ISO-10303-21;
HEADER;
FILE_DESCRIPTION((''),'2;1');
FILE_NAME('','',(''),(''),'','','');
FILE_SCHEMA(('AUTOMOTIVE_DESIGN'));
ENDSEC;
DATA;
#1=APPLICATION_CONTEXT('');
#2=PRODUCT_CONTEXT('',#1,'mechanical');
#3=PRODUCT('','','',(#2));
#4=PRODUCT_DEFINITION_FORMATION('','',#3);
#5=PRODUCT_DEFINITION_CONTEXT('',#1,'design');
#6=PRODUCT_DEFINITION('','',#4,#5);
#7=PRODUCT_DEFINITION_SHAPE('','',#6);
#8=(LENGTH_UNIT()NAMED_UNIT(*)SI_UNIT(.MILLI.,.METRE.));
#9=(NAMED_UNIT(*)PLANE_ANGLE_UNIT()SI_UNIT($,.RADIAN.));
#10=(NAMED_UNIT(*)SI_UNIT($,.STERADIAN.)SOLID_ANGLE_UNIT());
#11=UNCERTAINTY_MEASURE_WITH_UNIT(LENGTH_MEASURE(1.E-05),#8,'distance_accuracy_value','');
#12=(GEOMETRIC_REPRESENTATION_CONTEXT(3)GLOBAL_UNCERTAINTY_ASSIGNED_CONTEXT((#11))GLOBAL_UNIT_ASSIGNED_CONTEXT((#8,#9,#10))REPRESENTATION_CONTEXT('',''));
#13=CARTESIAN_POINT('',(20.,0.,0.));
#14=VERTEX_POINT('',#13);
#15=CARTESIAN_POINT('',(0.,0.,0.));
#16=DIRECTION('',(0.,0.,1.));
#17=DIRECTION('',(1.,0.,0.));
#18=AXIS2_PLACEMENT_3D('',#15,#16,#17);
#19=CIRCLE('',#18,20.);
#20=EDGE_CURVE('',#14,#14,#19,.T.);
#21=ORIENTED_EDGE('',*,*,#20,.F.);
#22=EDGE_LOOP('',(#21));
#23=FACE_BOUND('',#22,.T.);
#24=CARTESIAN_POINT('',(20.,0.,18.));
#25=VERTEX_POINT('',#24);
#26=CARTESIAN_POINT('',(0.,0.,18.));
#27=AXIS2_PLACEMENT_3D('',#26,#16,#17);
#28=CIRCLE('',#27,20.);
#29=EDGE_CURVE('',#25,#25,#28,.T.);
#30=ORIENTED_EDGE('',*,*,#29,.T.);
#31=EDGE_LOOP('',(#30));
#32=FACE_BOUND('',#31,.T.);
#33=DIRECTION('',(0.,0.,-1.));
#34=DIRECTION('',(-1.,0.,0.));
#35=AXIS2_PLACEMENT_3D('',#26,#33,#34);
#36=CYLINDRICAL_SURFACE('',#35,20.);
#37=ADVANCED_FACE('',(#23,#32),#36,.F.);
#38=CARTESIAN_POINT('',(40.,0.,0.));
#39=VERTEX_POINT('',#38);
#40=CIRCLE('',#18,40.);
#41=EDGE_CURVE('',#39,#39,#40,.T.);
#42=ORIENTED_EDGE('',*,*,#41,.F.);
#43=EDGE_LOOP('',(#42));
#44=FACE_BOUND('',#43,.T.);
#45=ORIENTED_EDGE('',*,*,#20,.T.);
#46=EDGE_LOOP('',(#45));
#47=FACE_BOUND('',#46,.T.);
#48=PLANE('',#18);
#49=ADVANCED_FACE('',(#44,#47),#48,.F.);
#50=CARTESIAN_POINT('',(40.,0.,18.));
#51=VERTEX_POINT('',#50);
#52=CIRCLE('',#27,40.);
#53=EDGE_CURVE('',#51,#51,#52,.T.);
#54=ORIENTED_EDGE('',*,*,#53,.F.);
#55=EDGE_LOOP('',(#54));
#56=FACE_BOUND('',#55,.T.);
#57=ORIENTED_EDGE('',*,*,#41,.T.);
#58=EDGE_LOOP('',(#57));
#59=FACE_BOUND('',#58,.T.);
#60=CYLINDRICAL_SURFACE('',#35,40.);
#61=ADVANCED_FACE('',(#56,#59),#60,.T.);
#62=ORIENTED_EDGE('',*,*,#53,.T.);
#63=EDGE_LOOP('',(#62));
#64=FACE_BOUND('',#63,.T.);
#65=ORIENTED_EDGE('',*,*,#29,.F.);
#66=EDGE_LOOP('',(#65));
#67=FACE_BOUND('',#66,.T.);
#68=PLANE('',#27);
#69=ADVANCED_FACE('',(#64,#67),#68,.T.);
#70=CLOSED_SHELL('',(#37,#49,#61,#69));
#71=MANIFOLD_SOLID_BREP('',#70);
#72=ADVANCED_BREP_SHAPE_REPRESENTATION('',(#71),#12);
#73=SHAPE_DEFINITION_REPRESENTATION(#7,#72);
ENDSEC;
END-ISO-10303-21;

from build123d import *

# Parameters (mm, degrees)
SKETCH_1_R      = 40
SKETCH_1_R_2    = 20
EXTRUDE_1_DEPTH = 18


with BuildPart() as part:
    # 草图1 → 凸台-拉伸1 (new body)
    with BuildSketch(Plane.XY):
        Circle(SKETCH_1_R)
        Circle(SKETCH_1_R_2, mode=Mode.SUBTRACT)
    extrude(amount=EXTRUDE_1_DEPTH)


solid = part.part
